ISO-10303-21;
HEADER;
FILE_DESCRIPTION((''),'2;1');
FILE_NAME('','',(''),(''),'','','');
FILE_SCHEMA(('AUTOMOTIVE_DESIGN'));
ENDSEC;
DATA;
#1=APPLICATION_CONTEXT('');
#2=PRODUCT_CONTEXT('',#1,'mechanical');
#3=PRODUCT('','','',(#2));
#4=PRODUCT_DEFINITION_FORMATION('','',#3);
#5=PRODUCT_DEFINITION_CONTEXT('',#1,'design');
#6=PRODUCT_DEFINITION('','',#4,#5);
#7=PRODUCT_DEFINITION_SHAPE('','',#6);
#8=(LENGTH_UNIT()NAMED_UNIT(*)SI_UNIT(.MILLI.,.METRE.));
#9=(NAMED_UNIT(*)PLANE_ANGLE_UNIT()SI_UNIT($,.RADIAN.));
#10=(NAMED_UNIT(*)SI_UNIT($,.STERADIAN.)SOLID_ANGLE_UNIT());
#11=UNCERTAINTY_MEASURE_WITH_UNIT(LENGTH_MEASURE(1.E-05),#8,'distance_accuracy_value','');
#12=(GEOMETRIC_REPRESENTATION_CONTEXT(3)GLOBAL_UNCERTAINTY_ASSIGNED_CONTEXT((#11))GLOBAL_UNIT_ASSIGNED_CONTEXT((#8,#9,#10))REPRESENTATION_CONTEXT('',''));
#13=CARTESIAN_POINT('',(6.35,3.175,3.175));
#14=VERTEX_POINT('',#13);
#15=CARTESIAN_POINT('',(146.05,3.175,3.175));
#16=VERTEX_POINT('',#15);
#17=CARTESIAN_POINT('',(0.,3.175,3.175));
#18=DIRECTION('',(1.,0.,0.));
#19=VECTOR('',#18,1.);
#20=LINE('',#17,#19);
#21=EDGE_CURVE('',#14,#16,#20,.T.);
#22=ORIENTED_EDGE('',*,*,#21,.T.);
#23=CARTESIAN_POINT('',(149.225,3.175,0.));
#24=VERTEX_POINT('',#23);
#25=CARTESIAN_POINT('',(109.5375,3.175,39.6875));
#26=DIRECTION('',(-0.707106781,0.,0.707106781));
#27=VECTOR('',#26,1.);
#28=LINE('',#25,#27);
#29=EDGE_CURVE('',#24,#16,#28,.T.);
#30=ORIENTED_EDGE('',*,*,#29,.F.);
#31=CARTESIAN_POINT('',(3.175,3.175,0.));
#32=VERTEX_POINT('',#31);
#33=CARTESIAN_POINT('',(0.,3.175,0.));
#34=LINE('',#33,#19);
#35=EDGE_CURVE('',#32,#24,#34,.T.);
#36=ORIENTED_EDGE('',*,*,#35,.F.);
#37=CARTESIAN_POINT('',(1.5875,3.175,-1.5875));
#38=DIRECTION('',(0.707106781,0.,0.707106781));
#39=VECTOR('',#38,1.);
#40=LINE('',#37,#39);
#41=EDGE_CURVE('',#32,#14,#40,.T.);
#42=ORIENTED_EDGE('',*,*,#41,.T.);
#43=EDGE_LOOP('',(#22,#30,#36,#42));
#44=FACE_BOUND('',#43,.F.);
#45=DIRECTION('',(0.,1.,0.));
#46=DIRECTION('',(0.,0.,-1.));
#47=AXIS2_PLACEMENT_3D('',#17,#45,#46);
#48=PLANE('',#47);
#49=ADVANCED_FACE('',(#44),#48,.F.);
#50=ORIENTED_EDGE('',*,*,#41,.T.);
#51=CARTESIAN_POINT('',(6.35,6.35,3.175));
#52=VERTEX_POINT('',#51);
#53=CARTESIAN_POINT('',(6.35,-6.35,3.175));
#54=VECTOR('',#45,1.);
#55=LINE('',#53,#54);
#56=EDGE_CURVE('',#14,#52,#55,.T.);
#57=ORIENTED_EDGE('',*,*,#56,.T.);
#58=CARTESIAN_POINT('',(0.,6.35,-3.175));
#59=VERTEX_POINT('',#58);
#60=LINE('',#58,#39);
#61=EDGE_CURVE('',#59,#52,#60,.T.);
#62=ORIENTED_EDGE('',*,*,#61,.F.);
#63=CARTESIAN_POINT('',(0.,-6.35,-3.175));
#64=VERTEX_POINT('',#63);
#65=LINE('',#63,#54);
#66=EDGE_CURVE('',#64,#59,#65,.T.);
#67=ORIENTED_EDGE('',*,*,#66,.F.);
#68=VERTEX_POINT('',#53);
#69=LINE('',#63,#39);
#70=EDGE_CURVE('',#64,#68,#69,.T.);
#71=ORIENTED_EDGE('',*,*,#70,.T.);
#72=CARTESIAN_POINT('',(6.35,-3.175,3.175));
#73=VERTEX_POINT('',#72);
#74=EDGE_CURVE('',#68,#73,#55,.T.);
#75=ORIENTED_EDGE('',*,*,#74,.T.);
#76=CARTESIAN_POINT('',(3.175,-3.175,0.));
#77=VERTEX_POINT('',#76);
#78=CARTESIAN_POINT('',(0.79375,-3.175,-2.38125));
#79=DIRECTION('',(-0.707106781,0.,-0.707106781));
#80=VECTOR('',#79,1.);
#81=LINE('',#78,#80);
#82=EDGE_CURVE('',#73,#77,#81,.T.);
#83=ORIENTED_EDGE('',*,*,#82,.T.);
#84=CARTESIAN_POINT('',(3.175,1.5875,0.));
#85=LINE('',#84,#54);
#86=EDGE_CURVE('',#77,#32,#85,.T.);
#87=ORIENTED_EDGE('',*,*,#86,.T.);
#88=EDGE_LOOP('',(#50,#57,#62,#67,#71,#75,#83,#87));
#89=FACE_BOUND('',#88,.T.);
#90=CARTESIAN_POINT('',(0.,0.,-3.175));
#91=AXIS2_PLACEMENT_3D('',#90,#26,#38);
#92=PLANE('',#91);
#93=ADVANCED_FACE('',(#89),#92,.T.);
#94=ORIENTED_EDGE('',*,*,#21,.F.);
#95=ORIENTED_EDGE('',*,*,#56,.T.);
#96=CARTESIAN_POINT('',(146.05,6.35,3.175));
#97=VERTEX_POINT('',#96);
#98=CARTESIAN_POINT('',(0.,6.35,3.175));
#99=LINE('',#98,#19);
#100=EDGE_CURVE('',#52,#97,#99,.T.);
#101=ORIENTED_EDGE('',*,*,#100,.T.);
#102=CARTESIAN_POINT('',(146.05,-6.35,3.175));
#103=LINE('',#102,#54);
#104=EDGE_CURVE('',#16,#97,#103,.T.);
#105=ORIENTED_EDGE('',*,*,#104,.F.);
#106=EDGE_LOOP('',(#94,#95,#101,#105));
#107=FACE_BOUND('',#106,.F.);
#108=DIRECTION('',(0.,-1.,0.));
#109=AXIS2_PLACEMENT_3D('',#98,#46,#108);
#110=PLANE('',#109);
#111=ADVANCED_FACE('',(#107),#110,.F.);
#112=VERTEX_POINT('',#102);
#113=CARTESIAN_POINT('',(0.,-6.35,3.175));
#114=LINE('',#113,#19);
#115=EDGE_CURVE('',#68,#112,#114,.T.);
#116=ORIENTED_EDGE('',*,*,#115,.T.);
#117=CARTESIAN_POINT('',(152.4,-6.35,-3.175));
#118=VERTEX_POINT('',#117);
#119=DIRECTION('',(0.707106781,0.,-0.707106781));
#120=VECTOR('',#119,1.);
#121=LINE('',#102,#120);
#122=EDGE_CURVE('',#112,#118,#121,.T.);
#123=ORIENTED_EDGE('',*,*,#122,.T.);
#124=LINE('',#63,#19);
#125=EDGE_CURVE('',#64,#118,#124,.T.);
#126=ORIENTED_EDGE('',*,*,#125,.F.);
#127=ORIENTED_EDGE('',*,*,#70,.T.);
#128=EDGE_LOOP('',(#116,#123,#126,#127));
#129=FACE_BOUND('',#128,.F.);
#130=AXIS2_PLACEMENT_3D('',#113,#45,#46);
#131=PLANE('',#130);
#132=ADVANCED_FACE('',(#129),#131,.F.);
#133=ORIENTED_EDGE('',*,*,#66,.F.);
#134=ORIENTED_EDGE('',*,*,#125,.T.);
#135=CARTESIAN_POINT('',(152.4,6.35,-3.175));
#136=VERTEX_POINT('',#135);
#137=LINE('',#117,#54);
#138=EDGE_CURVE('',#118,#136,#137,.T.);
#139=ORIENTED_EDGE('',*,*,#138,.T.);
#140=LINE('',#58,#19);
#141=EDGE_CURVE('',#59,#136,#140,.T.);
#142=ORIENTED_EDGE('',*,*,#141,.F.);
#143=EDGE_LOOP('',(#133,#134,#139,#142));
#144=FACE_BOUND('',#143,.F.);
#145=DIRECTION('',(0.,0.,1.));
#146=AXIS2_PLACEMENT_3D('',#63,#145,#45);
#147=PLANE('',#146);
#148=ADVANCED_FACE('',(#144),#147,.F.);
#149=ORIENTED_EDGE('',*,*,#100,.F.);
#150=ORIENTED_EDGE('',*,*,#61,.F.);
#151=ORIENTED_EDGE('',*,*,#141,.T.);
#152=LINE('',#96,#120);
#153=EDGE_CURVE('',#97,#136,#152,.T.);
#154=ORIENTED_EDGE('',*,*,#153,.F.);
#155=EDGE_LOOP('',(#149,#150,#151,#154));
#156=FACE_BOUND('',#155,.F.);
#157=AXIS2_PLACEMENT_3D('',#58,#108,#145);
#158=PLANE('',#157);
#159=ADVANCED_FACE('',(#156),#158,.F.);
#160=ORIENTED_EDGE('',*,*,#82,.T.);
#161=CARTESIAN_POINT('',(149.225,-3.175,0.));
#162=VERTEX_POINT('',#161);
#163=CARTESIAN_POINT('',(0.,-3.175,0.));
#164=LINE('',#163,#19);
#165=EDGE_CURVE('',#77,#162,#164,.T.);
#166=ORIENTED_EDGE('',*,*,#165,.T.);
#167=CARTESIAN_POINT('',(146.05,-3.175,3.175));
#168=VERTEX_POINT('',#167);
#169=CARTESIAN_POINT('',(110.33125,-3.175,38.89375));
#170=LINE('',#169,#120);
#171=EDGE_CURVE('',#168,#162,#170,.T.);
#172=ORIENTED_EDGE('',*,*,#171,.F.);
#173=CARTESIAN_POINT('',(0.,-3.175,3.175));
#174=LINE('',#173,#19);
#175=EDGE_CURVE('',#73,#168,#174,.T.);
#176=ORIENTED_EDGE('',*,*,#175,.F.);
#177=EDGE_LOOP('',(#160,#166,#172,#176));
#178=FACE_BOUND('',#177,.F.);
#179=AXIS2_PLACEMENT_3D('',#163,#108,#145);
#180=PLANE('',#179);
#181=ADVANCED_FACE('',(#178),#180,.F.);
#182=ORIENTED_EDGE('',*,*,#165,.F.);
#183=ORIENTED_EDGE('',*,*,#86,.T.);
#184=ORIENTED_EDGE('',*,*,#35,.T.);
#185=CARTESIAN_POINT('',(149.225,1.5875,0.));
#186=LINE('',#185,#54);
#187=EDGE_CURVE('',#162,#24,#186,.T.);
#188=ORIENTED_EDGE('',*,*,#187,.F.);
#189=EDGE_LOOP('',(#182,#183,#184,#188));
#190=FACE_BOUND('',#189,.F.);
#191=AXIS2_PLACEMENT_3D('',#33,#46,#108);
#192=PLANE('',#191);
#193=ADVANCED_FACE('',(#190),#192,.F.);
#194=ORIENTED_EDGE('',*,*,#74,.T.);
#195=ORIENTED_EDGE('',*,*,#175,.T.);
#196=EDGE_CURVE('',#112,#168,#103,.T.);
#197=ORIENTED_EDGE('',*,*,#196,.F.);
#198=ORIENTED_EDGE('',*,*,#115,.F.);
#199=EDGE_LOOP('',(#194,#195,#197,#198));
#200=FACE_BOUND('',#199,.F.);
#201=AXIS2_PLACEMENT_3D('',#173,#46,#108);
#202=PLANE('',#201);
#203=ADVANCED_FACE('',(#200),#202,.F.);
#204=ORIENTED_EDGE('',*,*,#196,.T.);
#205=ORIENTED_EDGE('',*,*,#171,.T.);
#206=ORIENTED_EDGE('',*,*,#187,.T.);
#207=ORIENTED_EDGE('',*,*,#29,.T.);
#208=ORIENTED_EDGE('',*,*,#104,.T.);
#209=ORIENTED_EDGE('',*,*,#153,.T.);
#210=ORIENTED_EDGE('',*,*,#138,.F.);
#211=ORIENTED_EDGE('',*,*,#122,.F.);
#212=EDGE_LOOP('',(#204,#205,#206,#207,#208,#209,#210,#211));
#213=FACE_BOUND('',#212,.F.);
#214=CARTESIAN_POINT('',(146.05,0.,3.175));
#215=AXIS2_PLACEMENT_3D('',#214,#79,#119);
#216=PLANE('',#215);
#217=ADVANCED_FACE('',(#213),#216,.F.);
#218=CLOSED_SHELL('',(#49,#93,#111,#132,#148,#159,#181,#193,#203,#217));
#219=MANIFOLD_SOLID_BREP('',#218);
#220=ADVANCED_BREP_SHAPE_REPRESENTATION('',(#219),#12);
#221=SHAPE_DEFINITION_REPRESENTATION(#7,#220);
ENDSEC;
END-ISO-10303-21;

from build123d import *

# Parameters (mm, degrees)
F1_DEPTH = 152.4
F3_DEPTH = 6.35


with BuildPart() as f1:
    # F0 (on Right) → F1 (new body)
    with BuildSketch(Plane.YZ):
        Polygon((6.35, -3.175), (6.35, 3.175), (3.175, 3.175), (3.175, 0), (-3.175, 0), (-3.175, 3.175), (-6.35, 3.175), (-6.35, -3.175), align=None)
    extrude(amount=F1_DEPTH)

    # F2 (on Front) → F3 (cut, symmetric)
    with BuildSketch(Plane.XZ):
        Polygon((0, 3.175), (0, -3.175), (6.35, 3.175), align=None)
        Polygon((146.05, 3.175), (152.4, -3.175), (152.4, 3.175), align=None)
    extrude(amount=F3_DEPTH, both=True, mode=Mode.SUBTRACT)


solid = f1.part
